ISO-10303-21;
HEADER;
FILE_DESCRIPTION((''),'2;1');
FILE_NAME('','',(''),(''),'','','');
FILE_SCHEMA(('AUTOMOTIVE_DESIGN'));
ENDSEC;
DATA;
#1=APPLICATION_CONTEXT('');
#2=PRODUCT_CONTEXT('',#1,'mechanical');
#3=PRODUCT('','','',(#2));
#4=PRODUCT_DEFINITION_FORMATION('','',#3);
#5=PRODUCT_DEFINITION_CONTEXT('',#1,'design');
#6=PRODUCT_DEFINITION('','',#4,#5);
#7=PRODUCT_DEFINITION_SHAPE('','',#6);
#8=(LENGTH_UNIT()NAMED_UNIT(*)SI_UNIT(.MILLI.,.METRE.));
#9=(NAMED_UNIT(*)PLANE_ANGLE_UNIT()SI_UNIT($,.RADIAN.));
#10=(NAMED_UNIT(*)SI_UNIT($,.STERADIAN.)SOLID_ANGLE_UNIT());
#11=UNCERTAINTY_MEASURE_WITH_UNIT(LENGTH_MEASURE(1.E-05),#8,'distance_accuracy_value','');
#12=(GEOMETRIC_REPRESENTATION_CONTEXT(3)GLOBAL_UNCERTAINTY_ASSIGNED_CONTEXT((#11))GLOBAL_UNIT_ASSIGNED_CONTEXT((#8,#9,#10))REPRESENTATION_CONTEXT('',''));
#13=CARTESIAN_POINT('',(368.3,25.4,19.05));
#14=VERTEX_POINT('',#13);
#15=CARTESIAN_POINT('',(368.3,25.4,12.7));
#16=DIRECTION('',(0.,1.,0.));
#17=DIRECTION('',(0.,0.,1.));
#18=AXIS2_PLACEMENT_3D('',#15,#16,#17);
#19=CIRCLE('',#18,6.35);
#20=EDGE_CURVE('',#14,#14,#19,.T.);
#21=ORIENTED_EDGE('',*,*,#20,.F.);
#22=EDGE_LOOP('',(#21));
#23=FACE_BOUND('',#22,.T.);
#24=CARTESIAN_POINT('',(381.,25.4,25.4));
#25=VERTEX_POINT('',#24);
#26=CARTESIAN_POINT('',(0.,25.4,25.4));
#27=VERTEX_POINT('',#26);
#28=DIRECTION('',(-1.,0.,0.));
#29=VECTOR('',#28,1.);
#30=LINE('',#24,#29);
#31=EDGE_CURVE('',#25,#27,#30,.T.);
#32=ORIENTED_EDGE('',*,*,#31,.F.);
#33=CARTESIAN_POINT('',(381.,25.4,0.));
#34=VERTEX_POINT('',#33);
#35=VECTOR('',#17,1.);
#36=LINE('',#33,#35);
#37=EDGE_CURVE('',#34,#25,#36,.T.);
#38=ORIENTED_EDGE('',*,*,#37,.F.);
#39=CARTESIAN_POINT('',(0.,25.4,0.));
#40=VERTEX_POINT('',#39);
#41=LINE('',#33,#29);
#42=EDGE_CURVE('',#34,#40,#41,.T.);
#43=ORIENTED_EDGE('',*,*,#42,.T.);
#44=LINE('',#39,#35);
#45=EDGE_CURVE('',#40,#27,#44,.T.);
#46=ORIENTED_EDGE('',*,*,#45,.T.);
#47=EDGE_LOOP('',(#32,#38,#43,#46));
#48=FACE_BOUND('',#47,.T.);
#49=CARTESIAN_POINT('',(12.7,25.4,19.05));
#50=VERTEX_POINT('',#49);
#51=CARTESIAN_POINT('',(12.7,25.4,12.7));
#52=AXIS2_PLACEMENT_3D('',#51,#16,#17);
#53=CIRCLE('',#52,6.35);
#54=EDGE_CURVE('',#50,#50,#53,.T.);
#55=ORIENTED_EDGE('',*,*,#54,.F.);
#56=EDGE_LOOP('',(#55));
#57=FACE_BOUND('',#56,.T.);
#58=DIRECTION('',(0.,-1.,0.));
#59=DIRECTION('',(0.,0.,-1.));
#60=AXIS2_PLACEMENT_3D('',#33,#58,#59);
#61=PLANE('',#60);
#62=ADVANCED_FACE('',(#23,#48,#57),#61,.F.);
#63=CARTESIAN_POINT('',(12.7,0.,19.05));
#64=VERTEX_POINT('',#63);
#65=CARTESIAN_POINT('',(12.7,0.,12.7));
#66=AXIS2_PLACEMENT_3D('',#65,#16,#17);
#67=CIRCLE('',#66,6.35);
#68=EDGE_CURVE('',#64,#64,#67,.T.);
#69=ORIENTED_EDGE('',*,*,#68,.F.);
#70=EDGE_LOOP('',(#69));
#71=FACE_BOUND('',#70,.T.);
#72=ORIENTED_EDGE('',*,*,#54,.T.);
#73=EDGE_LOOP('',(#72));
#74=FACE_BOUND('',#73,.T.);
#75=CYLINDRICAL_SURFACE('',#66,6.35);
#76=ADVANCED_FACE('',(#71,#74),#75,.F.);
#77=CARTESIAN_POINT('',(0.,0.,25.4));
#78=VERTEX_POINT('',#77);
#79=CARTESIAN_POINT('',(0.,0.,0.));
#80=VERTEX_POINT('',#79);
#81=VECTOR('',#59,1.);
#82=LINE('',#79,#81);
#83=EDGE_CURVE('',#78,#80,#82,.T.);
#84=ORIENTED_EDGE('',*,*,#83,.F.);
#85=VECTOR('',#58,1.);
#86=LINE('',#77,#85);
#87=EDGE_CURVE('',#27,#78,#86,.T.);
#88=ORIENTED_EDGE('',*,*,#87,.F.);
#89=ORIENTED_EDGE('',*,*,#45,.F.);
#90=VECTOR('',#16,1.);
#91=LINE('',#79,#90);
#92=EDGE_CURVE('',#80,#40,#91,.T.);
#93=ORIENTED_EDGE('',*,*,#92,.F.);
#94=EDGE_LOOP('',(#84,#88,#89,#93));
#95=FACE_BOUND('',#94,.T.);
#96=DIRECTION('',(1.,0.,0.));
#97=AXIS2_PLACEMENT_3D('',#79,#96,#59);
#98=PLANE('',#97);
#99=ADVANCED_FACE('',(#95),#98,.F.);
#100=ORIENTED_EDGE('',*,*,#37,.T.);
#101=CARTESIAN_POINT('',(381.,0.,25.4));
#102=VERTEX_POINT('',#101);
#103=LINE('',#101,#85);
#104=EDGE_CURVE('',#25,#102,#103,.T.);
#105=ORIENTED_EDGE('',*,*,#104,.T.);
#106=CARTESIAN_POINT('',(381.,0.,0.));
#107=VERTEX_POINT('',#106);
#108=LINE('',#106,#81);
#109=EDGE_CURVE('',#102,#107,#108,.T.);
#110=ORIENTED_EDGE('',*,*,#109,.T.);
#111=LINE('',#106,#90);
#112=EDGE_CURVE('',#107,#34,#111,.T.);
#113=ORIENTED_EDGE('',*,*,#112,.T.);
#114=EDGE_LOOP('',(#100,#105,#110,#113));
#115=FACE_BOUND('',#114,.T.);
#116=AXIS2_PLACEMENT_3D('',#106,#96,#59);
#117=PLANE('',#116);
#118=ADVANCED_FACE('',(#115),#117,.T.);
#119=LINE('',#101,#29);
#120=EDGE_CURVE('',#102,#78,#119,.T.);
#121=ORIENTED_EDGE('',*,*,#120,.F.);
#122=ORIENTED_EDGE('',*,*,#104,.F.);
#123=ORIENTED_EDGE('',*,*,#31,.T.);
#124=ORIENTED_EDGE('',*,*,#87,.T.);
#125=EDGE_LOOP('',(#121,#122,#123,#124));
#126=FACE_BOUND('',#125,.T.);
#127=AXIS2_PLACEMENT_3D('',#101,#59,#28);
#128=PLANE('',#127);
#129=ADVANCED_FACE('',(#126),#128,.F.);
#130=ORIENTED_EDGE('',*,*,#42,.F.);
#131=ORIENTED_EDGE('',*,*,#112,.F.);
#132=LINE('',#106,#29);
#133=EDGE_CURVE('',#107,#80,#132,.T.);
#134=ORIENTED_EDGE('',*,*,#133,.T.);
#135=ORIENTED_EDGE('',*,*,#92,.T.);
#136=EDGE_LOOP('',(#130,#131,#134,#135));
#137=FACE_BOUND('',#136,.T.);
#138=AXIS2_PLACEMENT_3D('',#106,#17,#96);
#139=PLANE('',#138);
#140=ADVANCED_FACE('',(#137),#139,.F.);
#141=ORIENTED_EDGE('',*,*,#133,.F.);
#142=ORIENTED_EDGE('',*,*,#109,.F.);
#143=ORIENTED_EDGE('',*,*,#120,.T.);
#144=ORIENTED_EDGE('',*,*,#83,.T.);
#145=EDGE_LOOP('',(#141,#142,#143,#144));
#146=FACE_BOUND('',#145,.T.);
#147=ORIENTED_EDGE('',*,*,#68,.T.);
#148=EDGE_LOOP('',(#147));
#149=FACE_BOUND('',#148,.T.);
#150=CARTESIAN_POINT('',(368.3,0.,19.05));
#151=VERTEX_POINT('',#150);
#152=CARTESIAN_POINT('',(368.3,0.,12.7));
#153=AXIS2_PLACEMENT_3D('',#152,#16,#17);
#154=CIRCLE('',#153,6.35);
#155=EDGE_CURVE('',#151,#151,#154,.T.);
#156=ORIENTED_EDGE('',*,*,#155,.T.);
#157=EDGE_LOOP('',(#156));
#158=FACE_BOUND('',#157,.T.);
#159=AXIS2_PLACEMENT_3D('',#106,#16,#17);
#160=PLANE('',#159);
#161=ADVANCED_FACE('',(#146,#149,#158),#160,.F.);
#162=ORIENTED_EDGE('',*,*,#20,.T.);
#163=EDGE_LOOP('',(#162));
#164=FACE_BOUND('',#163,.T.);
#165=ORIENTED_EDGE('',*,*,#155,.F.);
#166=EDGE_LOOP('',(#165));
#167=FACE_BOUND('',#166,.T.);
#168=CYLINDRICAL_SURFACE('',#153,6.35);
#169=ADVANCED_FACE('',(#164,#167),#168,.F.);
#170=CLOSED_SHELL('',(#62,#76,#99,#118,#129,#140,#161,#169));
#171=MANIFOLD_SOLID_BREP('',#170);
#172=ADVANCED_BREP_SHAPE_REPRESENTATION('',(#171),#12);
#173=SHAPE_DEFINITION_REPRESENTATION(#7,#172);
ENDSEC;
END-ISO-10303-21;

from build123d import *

# Parameters (mm, degrees)
SKETCH1_W           = 25.4
SKETCH1_H           = 25.4
BOSS_EXTRUDE1_DEPTH = 381
SKETCH2_R           = 6.35
CUT_EXTRUDE1_DEPTH  = 26.4


with BuildPart() as part:
    # Sketch1 → Boss-Extrude1 (new body)
    with BuildSketch(Plane(origin=(0, 0, 0), x_dir=(0, 0, -1), z_dir=(1, 0, 0))):
        with Locations((-12.7, 12.7)):
            Rectangle(SKETCH1_W, SKETCH1_H)
    extrude(amount=BOSS_EXTRUDE1_DEPTH)

    # Sketch2 → Cut-Extrude1 (cut, through all)
    with BuildSketch(Plane(origin=(0, 25.4, 0), x_dir=(1, 0, 0), z_dir=(0, 1, 0))):
        with Locations((368.3, -12.7)):
            Circle(SKETCH2_R)
        with Locations((12.7, -12.7)):
            Circle(SKETCH2_R)
    extrude(amount=-CUT_EXTRUDE1_DEPTH, mode=Mode.SUBTRACT)


solid = part.part
